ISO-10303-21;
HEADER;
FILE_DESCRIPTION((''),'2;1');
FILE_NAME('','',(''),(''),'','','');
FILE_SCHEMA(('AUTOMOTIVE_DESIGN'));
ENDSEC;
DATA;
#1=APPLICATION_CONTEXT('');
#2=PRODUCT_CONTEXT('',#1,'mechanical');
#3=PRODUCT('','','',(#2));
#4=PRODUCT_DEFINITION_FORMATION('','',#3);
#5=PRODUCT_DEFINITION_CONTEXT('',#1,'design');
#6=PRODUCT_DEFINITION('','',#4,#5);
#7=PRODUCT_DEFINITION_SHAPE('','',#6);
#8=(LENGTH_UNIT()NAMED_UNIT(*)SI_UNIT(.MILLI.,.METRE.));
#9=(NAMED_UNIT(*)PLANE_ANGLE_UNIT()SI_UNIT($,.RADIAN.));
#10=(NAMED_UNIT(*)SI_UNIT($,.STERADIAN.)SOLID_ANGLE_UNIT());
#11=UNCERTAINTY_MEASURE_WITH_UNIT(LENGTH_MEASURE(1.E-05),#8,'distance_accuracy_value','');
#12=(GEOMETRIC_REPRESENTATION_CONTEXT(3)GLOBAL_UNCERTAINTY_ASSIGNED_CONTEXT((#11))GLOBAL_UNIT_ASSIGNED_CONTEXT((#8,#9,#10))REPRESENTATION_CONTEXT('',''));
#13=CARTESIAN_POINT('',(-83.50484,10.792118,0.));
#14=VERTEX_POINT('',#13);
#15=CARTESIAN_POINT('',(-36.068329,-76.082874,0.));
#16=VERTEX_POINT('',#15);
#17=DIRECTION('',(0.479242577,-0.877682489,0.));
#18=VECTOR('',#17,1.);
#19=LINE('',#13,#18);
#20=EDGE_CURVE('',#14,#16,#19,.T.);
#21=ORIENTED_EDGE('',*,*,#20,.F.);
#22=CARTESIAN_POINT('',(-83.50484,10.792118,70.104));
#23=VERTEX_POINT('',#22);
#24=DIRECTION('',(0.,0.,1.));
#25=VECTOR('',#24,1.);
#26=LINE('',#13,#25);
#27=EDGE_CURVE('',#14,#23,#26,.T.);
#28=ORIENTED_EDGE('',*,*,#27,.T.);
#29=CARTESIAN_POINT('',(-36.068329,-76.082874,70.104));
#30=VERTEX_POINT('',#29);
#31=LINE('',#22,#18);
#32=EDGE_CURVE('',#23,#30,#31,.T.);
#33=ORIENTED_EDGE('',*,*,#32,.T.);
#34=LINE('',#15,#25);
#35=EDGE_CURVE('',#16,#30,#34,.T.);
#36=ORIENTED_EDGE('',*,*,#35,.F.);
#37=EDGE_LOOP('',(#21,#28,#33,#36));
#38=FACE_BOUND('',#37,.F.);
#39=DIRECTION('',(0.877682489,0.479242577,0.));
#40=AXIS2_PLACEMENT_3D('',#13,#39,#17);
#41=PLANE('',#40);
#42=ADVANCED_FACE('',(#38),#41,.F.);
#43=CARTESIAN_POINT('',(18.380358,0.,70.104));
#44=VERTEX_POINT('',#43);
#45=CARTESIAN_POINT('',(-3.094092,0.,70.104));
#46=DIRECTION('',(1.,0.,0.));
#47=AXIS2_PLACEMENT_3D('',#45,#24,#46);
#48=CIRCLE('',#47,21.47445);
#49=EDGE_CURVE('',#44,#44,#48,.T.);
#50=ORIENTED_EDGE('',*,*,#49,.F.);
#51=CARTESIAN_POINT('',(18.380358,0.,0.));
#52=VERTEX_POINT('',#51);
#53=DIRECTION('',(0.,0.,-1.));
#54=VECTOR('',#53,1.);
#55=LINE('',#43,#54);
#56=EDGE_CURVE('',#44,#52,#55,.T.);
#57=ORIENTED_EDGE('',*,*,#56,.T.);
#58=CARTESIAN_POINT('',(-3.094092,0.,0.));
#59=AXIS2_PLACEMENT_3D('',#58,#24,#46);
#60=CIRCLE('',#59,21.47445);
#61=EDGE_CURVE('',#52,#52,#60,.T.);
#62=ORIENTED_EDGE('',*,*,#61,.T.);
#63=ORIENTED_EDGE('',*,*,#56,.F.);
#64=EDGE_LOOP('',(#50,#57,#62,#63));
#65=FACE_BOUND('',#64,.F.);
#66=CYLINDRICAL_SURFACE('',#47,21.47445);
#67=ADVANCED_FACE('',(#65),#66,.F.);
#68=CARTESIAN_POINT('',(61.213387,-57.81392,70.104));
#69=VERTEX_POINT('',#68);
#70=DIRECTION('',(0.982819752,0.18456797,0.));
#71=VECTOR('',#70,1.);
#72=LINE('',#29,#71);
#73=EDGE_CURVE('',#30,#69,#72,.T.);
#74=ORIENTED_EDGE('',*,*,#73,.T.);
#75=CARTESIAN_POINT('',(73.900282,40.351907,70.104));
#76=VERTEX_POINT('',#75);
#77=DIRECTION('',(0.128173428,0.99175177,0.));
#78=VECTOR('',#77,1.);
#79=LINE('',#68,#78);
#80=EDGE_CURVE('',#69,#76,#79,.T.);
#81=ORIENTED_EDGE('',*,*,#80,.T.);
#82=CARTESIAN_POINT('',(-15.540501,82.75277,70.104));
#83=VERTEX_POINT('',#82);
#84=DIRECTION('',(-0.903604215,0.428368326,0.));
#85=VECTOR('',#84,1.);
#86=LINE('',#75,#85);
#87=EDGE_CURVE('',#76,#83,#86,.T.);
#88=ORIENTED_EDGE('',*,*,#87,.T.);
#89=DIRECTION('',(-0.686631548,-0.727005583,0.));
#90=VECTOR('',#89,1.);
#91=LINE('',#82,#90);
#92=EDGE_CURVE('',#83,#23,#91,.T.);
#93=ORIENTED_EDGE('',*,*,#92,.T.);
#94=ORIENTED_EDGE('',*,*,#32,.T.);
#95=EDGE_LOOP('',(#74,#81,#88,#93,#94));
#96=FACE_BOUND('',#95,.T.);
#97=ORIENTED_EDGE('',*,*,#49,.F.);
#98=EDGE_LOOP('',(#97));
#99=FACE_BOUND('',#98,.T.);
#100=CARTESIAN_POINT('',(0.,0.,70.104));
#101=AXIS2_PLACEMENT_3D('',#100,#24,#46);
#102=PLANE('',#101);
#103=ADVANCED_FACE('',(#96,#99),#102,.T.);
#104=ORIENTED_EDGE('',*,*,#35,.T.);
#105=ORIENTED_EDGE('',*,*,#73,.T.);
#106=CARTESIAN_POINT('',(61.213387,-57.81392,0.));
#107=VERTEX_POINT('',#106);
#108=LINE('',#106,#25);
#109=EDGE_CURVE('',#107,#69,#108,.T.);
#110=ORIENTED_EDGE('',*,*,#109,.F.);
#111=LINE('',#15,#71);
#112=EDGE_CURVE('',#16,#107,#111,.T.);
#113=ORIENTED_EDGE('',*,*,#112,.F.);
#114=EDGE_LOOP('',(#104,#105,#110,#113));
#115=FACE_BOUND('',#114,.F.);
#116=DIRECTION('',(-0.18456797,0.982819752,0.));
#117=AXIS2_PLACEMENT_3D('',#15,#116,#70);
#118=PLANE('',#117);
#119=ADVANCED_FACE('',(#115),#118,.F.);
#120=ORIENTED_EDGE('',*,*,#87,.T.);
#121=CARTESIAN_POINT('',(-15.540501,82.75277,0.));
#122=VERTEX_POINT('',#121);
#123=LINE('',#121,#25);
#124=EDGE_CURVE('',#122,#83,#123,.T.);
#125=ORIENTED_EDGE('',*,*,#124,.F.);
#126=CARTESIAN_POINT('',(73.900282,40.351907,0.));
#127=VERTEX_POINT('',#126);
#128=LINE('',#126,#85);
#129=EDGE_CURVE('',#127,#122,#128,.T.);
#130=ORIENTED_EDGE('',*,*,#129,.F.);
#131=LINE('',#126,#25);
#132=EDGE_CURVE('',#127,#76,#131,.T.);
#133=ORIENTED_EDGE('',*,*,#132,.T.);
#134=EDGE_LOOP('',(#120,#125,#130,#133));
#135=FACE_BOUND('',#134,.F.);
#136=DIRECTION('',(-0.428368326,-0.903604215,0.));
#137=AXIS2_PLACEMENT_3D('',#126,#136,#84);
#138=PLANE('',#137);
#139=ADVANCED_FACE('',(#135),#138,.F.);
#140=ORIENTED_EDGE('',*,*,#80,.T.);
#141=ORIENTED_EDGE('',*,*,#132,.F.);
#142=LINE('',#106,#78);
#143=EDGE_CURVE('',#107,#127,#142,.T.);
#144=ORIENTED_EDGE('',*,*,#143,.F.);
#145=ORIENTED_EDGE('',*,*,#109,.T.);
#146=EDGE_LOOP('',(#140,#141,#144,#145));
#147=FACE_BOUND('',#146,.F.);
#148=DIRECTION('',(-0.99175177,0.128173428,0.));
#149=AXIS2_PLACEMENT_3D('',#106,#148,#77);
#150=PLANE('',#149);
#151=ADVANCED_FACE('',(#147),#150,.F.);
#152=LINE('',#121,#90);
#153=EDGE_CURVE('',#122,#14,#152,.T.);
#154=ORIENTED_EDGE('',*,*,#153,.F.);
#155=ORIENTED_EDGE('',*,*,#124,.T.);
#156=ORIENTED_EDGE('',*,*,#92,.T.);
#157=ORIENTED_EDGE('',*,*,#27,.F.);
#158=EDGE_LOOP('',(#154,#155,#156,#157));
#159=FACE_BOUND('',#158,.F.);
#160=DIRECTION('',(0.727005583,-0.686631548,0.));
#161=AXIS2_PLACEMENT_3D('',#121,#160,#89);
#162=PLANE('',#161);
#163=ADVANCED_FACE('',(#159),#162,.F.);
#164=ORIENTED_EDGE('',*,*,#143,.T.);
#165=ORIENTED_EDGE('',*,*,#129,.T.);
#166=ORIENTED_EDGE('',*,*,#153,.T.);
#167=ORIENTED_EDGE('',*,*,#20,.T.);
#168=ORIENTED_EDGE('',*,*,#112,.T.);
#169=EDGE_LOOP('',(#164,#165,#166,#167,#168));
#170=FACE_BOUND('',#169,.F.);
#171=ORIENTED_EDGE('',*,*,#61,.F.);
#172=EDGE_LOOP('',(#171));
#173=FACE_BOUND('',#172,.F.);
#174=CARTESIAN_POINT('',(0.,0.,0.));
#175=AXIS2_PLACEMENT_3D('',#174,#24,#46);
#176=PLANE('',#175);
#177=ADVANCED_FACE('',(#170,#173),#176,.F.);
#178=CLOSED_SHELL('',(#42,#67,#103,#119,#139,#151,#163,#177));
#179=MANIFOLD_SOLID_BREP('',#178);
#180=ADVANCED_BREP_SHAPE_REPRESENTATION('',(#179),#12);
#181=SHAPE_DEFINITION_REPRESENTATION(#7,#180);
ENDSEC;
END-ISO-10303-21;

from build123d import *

# Parameters (mm, degrees)
F1_DEPTH = 70.104
F2_R     = 21.47445
F3_DEPTH = 109.474


with BuildPart() as f1:
    # F0 (on Top) → F1 (new body)
    with BuildSketch(Plane.XY):
        Polygon((-83.50484, 10.792118), (-36.068329, -76.082874), (61.213387, -57.81392), (73.900282, 40.351907), (-15.540501, 82.75277), align=None)
    extrude(amount=F1_DEPTH)

    # F2 (on face) → F3 (cut)
    with BuildSketch(Plane.XY.offset(70.104)):
        with Locations((-3.094092, 0)):
            Circle(F2_R)
    extrude(amount=-F3_DEPTH, mode=Mode.SUBTRACT)


solid = f1.part
